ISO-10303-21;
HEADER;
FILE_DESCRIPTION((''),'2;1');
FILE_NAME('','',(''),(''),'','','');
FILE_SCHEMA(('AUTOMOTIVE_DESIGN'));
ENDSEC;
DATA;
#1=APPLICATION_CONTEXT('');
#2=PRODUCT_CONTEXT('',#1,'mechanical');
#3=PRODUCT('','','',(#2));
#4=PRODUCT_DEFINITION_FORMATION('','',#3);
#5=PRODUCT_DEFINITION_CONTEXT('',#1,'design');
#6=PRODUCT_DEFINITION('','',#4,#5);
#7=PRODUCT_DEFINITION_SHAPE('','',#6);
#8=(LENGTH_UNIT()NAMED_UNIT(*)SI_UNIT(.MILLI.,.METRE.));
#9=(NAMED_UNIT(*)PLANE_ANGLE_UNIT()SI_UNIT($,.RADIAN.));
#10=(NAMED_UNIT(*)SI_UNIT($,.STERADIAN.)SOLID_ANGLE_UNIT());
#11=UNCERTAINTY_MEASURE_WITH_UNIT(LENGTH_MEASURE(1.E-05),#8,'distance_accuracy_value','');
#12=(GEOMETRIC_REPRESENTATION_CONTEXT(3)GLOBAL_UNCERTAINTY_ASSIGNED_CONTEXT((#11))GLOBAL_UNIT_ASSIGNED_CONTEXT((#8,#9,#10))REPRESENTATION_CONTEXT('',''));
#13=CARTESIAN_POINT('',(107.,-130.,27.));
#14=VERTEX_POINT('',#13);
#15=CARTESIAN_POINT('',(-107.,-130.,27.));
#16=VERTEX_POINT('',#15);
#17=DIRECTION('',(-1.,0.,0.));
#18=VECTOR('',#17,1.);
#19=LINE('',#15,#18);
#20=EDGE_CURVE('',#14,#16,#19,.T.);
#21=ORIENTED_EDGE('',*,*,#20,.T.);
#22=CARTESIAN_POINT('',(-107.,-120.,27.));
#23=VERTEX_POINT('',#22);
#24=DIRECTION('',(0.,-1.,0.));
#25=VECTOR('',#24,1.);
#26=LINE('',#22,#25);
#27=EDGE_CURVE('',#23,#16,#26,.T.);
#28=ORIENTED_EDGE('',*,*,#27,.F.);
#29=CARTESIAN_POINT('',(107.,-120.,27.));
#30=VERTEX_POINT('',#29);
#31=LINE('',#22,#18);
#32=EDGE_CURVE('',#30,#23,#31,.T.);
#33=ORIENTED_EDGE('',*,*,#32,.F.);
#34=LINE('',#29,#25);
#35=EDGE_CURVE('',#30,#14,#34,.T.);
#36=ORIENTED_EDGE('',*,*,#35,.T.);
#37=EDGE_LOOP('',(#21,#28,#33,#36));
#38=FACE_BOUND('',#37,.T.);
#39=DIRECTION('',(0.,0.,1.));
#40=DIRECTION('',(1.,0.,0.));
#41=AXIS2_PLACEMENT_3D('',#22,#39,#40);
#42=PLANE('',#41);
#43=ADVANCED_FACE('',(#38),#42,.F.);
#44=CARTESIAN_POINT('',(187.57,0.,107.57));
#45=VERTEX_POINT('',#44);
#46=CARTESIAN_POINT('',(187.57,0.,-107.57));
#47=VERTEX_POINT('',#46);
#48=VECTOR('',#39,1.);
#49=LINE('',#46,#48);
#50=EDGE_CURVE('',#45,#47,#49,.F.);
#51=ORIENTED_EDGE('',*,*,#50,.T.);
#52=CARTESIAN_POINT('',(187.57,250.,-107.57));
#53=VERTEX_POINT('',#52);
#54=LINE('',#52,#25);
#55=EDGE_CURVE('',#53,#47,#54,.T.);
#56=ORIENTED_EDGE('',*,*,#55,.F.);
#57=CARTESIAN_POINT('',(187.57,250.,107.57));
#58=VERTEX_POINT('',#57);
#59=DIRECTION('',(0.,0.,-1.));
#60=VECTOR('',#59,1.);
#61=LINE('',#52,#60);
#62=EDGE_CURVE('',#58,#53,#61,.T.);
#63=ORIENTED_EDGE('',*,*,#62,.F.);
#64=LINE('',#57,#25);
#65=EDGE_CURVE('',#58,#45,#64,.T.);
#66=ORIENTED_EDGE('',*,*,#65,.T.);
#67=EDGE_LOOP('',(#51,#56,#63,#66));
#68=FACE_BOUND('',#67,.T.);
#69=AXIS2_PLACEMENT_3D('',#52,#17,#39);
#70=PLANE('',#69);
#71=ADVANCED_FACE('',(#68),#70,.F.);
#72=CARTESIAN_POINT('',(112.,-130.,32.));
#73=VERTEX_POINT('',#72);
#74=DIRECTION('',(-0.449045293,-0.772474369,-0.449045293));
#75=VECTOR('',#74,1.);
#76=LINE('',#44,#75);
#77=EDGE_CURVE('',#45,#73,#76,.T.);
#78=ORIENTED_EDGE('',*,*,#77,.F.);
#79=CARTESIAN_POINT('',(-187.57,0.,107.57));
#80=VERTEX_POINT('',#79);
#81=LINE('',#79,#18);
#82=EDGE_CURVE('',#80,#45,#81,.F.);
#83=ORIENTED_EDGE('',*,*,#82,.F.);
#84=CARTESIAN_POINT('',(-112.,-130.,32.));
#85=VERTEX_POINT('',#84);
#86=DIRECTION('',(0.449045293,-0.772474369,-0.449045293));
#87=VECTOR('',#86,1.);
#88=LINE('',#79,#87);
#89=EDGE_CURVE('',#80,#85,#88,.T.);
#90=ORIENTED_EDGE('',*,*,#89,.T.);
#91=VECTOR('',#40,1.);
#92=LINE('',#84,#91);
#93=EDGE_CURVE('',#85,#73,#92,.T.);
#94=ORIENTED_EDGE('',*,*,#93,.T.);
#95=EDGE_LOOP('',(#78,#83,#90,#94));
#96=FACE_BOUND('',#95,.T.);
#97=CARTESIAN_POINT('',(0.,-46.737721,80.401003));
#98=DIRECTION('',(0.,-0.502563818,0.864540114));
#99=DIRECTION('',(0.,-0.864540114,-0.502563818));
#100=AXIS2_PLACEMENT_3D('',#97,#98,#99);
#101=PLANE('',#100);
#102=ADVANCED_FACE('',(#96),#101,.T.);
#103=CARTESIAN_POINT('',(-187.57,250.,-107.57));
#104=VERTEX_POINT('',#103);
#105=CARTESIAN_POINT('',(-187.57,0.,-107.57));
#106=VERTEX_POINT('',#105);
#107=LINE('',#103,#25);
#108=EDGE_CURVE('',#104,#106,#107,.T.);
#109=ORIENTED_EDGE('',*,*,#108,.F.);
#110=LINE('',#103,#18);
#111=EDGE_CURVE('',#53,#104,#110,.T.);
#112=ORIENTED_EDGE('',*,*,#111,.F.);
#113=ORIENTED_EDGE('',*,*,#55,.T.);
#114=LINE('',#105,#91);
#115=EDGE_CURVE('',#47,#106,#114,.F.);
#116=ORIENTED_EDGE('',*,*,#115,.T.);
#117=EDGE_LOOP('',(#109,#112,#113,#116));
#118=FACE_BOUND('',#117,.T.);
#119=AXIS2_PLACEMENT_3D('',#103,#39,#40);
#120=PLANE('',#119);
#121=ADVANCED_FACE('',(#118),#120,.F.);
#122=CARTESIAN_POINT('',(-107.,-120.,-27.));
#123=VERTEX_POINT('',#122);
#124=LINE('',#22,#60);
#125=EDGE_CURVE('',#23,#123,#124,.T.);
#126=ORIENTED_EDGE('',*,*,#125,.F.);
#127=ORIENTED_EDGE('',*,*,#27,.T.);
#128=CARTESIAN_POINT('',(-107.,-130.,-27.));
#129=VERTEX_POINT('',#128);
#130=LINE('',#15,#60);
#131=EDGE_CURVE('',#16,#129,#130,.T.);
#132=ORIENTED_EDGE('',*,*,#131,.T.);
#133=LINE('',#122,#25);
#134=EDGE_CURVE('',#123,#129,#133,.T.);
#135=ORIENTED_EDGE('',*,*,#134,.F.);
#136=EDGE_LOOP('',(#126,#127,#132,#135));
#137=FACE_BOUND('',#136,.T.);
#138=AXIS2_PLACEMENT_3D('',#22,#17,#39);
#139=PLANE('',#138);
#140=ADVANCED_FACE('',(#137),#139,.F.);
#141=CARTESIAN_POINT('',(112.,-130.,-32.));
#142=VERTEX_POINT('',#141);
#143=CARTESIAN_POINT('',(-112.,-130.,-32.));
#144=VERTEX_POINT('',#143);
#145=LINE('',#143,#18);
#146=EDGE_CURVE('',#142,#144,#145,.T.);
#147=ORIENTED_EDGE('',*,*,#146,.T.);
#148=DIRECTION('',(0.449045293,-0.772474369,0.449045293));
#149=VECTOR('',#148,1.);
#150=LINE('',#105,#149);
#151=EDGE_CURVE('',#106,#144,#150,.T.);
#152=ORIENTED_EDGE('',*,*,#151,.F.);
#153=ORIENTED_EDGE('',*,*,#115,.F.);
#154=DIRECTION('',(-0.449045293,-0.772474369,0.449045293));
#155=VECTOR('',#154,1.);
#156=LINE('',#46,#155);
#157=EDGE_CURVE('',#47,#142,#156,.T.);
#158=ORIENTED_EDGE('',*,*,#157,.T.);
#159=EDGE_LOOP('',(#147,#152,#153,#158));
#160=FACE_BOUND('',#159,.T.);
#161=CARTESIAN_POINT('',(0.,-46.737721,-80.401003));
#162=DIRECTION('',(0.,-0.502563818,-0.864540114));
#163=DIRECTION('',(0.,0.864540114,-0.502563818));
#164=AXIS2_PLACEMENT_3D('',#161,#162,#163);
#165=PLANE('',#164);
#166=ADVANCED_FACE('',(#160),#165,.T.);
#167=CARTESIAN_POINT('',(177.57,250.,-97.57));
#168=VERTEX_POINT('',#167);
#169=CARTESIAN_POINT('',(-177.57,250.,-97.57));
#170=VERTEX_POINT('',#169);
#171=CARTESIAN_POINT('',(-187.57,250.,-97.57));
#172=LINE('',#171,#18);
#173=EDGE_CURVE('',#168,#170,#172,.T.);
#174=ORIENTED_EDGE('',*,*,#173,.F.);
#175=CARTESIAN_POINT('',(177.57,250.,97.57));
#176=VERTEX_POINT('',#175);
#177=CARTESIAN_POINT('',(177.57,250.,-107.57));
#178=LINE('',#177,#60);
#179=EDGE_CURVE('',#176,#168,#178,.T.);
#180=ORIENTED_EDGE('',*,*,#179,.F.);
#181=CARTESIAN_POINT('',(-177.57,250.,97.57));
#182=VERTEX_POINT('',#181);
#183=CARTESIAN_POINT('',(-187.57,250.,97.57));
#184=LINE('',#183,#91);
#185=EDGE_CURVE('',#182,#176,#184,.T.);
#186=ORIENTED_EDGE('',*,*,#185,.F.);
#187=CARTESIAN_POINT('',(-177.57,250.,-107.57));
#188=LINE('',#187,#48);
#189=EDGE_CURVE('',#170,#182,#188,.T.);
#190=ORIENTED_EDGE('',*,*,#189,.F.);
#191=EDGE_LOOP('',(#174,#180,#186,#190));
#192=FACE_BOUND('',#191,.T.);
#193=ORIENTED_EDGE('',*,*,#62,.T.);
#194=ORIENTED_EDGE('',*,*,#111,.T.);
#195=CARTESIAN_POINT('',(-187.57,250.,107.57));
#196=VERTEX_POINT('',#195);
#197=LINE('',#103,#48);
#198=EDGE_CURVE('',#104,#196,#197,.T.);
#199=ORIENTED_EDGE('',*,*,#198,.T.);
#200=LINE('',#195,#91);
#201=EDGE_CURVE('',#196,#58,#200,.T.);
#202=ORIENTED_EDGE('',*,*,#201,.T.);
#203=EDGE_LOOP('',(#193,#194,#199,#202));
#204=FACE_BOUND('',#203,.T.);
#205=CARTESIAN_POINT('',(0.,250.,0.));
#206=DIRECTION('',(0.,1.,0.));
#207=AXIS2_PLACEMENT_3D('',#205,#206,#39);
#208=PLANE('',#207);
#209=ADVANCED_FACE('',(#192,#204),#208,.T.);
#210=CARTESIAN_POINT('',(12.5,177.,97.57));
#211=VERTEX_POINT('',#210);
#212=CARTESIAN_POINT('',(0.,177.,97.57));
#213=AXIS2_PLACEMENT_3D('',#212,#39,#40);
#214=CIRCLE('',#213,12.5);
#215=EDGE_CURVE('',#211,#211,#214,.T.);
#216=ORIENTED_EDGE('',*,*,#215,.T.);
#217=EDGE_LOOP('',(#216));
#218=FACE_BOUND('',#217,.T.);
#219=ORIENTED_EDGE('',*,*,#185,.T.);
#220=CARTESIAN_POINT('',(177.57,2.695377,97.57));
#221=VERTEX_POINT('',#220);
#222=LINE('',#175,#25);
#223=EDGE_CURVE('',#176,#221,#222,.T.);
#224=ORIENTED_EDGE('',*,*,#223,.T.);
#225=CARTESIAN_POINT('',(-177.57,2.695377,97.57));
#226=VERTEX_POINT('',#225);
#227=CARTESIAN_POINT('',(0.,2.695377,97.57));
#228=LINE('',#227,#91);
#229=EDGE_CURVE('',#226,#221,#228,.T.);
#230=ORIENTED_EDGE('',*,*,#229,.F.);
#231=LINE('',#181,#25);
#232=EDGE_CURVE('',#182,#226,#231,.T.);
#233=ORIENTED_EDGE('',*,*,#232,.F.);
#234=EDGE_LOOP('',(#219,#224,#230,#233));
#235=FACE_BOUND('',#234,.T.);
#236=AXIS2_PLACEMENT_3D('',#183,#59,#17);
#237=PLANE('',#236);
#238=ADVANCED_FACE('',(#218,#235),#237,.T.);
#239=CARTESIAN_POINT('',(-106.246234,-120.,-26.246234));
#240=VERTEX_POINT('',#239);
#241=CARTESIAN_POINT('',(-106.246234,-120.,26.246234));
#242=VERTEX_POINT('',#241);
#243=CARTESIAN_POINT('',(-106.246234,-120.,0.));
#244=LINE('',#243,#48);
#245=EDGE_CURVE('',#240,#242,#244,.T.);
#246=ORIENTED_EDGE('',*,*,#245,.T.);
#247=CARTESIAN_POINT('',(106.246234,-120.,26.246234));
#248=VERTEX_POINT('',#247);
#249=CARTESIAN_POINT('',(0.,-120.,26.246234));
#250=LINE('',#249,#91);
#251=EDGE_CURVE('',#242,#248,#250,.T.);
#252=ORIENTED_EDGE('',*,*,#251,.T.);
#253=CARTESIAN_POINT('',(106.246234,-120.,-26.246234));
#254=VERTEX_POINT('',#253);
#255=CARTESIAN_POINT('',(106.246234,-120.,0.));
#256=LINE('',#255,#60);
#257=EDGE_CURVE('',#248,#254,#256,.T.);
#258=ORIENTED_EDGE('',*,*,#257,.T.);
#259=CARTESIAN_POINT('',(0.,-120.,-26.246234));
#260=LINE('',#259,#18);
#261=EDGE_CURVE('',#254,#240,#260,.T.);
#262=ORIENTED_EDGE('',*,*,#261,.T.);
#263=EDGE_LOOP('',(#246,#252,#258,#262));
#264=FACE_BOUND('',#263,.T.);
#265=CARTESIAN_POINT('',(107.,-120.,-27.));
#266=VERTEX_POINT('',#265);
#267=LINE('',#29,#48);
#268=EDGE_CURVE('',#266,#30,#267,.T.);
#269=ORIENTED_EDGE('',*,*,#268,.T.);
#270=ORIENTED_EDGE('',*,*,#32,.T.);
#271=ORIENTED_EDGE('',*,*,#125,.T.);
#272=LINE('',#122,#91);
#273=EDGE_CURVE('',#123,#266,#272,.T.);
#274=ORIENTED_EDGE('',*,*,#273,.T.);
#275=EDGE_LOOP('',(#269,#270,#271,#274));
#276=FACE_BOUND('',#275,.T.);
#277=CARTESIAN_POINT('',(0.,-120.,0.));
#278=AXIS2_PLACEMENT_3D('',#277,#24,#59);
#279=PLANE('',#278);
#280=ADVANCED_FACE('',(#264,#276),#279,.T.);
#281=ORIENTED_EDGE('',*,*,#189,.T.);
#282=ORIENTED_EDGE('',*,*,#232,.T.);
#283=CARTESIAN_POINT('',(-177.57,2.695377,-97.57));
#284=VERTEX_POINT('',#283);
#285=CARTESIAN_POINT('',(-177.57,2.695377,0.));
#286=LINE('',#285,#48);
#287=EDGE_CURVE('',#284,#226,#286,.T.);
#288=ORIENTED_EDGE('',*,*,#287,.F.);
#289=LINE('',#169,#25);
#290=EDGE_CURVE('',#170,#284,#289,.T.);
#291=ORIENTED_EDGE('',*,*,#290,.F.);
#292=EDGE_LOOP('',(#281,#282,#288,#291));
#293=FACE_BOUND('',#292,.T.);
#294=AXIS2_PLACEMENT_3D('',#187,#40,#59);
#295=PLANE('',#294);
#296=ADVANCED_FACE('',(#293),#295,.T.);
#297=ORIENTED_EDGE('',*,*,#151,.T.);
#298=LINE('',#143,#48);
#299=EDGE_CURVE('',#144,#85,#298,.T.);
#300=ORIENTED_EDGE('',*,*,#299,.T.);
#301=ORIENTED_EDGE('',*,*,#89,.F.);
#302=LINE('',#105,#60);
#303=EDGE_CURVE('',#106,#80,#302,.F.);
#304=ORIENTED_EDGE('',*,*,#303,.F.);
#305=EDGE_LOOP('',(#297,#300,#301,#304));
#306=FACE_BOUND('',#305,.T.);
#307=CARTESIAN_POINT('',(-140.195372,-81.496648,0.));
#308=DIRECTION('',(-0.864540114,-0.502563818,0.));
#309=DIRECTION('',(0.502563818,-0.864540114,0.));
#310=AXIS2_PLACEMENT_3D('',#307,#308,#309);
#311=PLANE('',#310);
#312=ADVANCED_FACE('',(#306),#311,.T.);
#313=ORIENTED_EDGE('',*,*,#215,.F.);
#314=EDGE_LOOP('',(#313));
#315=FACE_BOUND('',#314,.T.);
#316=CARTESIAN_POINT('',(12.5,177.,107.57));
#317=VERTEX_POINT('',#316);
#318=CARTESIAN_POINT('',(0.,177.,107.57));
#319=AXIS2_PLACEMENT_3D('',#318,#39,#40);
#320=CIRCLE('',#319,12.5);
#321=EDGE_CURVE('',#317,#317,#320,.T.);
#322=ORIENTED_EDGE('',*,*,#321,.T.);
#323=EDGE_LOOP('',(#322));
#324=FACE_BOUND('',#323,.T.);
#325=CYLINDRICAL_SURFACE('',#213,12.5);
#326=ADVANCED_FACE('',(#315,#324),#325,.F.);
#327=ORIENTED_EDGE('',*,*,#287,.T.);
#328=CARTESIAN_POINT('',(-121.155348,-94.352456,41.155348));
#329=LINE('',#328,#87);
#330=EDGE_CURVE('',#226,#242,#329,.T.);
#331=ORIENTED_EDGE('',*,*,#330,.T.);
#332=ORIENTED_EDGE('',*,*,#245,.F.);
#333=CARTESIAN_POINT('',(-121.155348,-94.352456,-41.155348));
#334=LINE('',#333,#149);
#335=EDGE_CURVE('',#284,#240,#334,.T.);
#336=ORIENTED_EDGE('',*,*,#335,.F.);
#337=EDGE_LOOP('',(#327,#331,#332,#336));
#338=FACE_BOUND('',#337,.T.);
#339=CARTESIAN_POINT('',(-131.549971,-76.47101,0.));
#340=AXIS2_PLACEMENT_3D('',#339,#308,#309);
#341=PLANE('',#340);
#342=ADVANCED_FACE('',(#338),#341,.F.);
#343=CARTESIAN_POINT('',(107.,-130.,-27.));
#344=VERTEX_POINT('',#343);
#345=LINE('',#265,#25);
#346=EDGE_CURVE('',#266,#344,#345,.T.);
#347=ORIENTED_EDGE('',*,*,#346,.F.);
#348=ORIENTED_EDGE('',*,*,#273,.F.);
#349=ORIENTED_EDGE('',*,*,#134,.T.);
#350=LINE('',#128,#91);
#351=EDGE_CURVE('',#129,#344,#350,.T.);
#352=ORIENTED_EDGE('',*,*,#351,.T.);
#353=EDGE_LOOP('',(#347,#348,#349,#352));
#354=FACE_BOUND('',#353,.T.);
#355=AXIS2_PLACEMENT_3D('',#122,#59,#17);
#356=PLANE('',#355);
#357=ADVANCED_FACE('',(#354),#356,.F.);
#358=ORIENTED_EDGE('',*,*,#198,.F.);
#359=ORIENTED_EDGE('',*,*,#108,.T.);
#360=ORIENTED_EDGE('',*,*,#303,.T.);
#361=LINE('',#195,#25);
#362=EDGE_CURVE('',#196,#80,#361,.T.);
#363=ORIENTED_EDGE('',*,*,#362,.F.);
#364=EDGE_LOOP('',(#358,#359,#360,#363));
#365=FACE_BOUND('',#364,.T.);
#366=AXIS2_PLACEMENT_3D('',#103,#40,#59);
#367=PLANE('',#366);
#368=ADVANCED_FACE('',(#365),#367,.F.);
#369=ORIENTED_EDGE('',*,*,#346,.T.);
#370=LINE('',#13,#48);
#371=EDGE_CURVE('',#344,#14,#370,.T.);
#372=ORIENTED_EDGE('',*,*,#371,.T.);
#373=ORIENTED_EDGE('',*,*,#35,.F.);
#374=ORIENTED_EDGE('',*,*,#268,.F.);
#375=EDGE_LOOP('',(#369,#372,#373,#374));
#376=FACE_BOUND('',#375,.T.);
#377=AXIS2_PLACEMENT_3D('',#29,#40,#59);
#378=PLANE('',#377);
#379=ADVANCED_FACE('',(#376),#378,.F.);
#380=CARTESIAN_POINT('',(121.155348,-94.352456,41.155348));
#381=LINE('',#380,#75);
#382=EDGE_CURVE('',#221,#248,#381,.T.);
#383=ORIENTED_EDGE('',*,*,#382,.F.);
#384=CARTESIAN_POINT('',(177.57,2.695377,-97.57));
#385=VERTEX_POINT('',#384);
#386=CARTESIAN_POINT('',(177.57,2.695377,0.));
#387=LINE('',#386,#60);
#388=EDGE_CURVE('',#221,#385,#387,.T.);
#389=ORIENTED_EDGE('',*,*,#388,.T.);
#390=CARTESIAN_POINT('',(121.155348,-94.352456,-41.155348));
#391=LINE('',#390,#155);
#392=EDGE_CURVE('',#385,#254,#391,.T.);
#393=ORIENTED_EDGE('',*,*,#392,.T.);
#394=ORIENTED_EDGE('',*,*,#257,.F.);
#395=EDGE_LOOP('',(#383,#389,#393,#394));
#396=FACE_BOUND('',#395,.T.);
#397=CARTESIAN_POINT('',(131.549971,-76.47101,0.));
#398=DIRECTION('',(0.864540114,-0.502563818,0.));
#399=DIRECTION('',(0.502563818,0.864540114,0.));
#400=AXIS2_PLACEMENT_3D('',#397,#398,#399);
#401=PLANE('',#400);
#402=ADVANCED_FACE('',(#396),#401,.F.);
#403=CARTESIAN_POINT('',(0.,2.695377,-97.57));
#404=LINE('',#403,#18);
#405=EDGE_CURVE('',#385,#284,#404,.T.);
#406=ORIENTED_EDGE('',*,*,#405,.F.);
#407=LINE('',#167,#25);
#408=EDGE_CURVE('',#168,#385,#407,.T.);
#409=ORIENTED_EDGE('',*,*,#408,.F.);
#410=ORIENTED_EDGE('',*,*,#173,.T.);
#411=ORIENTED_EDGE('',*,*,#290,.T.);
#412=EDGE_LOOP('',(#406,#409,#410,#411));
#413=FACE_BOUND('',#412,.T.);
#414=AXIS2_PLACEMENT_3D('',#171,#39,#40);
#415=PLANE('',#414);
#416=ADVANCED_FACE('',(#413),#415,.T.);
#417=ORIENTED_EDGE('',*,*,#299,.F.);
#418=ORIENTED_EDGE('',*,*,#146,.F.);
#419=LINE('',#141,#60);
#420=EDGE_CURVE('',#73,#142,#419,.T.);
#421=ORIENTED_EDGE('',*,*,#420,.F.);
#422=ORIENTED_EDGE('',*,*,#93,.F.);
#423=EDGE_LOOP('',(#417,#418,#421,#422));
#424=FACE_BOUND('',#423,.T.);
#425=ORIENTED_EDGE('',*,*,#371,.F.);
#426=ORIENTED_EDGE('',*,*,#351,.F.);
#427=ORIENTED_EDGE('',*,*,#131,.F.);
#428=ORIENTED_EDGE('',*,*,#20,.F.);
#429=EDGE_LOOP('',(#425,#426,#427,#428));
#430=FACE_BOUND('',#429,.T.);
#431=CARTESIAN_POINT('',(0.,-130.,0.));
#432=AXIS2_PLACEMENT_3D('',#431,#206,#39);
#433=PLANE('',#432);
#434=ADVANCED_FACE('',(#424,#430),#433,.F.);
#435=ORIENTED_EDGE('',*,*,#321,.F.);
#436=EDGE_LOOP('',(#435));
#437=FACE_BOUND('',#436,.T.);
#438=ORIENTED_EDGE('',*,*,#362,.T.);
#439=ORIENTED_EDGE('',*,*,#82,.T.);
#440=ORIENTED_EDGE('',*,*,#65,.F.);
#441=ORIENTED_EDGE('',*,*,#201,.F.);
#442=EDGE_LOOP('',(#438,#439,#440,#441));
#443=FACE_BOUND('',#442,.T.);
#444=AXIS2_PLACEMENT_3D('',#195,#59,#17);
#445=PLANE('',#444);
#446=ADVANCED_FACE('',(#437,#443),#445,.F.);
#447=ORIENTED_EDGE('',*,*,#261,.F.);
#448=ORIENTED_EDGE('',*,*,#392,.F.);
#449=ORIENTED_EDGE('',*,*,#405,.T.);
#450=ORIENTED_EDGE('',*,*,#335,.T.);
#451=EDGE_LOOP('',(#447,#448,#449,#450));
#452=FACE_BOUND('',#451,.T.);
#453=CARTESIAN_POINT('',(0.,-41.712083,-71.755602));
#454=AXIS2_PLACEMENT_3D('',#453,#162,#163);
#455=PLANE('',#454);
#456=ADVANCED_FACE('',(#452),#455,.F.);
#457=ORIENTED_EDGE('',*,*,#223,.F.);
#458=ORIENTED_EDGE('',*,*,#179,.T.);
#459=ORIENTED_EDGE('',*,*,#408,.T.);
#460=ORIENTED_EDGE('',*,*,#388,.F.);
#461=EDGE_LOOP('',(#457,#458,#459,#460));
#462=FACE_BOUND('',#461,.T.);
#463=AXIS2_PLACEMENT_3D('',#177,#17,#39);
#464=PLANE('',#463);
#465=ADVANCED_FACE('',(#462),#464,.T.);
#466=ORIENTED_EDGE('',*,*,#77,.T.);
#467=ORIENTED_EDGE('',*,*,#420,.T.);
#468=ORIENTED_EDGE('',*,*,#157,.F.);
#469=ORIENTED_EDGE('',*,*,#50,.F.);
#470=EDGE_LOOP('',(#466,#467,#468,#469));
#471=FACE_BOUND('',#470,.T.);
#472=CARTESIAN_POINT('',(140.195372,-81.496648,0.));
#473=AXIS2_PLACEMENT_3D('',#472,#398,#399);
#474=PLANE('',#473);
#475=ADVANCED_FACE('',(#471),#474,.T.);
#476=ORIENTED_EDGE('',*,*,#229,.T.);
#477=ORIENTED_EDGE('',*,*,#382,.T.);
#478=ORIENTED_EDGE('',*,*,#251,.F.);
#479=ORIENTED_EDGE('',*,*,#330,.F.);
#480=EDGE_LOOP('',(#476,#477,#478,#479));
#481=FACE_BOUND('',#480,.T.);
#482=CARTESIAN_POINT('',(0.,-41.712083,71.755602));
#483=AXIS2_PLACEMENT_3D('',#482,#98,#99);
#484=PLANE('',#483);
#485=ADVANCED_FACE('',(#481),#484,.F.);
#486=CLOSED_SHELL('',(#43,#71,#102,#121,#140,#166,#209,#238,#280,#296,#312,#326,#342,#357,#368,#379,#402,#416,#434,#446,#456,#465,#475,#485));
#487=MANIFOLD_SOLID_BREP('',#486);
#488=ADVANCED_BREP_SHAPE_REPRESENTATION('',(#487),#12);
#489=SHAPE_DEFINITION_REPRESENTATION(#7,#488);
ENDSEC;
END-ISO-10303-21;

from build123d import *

# Parameters (mm, degrees)
SKETCH_1_W          = 375.14
SKETCH_1_H          = 215.14
EXTRUDE_1_DEPTH     = 250
SHELL_1_T           = -10
SKETCH_5_R          = 12.5
CUT_EXTRUDE_1_DEPTH = 10
SKETCH_6_W          = 214
SKETCH_6_H          = 54
CUT_EXTRUDE_2_DEPTH = 10


with BuildPart() as part:
    # 草图1 → 凸台-拉伸1 (new body)
    with BuildSketch(Plane(origin=(0, 0, 0), x_dir=(1, 0, 0), z_dir=(0, 1, 0))):
        Rectangle(SKETCH_1_W, SKETCH_1_H)
    extrude(amount=EXTRUDE_1_DEPTH)

    # 草图4 → section 1 of loft_1
    with BuildSketch(Plane(origin=(0, -130, 0), x_dir=(1, 0, 0), z_dir=(0, 1, 0)), mode=Mode.PRIVATE) as loft_1_s1:
        with BuildLine():
            Line((-112, 32), (112, 32))
            Line((112, 32), (112, -32))
            Line((112, -32), (-112, -32))
            Line((-112, -32), (-112, 32))
        make_face()
    # loft from a face of the part (loft_1)
    loft([part.faces().sort_by_distance((0, 0, 0))[0], loft_1_s1.sketch])

    # 抽壳1
    shell_1_openings = [part.faces().sort_by_distance(p)[0] for p in [
        (0, 250, 0),
    ]]
    offset(amount=SHELL_1_T, openings=shell_1_openings, kind=Kind.INTERSECTION)

    # 草图5 → 切除-拉伸1 (cut)
    with BuildSketch(Plane.XY.offset(107.57)):
        with Locations((0, 177)):
            Circle(SKETCH_5_R)
    extrude(amount=-CUT_EXTRUDE_1_DEPTH, mode=Mode.SUBTRACT)

    # 草图6 → 切除-拉伸2 (cut)
    with BuildSketch(Plane.XZ.offset(130)):
        Rectangle(SKETCH_6_W, SKETCH_6_H)
    extrude(amount=-CUT_EXTRUDE_2_DEPTH, mode=Mode.SUBTRACT)


solid = part.part
